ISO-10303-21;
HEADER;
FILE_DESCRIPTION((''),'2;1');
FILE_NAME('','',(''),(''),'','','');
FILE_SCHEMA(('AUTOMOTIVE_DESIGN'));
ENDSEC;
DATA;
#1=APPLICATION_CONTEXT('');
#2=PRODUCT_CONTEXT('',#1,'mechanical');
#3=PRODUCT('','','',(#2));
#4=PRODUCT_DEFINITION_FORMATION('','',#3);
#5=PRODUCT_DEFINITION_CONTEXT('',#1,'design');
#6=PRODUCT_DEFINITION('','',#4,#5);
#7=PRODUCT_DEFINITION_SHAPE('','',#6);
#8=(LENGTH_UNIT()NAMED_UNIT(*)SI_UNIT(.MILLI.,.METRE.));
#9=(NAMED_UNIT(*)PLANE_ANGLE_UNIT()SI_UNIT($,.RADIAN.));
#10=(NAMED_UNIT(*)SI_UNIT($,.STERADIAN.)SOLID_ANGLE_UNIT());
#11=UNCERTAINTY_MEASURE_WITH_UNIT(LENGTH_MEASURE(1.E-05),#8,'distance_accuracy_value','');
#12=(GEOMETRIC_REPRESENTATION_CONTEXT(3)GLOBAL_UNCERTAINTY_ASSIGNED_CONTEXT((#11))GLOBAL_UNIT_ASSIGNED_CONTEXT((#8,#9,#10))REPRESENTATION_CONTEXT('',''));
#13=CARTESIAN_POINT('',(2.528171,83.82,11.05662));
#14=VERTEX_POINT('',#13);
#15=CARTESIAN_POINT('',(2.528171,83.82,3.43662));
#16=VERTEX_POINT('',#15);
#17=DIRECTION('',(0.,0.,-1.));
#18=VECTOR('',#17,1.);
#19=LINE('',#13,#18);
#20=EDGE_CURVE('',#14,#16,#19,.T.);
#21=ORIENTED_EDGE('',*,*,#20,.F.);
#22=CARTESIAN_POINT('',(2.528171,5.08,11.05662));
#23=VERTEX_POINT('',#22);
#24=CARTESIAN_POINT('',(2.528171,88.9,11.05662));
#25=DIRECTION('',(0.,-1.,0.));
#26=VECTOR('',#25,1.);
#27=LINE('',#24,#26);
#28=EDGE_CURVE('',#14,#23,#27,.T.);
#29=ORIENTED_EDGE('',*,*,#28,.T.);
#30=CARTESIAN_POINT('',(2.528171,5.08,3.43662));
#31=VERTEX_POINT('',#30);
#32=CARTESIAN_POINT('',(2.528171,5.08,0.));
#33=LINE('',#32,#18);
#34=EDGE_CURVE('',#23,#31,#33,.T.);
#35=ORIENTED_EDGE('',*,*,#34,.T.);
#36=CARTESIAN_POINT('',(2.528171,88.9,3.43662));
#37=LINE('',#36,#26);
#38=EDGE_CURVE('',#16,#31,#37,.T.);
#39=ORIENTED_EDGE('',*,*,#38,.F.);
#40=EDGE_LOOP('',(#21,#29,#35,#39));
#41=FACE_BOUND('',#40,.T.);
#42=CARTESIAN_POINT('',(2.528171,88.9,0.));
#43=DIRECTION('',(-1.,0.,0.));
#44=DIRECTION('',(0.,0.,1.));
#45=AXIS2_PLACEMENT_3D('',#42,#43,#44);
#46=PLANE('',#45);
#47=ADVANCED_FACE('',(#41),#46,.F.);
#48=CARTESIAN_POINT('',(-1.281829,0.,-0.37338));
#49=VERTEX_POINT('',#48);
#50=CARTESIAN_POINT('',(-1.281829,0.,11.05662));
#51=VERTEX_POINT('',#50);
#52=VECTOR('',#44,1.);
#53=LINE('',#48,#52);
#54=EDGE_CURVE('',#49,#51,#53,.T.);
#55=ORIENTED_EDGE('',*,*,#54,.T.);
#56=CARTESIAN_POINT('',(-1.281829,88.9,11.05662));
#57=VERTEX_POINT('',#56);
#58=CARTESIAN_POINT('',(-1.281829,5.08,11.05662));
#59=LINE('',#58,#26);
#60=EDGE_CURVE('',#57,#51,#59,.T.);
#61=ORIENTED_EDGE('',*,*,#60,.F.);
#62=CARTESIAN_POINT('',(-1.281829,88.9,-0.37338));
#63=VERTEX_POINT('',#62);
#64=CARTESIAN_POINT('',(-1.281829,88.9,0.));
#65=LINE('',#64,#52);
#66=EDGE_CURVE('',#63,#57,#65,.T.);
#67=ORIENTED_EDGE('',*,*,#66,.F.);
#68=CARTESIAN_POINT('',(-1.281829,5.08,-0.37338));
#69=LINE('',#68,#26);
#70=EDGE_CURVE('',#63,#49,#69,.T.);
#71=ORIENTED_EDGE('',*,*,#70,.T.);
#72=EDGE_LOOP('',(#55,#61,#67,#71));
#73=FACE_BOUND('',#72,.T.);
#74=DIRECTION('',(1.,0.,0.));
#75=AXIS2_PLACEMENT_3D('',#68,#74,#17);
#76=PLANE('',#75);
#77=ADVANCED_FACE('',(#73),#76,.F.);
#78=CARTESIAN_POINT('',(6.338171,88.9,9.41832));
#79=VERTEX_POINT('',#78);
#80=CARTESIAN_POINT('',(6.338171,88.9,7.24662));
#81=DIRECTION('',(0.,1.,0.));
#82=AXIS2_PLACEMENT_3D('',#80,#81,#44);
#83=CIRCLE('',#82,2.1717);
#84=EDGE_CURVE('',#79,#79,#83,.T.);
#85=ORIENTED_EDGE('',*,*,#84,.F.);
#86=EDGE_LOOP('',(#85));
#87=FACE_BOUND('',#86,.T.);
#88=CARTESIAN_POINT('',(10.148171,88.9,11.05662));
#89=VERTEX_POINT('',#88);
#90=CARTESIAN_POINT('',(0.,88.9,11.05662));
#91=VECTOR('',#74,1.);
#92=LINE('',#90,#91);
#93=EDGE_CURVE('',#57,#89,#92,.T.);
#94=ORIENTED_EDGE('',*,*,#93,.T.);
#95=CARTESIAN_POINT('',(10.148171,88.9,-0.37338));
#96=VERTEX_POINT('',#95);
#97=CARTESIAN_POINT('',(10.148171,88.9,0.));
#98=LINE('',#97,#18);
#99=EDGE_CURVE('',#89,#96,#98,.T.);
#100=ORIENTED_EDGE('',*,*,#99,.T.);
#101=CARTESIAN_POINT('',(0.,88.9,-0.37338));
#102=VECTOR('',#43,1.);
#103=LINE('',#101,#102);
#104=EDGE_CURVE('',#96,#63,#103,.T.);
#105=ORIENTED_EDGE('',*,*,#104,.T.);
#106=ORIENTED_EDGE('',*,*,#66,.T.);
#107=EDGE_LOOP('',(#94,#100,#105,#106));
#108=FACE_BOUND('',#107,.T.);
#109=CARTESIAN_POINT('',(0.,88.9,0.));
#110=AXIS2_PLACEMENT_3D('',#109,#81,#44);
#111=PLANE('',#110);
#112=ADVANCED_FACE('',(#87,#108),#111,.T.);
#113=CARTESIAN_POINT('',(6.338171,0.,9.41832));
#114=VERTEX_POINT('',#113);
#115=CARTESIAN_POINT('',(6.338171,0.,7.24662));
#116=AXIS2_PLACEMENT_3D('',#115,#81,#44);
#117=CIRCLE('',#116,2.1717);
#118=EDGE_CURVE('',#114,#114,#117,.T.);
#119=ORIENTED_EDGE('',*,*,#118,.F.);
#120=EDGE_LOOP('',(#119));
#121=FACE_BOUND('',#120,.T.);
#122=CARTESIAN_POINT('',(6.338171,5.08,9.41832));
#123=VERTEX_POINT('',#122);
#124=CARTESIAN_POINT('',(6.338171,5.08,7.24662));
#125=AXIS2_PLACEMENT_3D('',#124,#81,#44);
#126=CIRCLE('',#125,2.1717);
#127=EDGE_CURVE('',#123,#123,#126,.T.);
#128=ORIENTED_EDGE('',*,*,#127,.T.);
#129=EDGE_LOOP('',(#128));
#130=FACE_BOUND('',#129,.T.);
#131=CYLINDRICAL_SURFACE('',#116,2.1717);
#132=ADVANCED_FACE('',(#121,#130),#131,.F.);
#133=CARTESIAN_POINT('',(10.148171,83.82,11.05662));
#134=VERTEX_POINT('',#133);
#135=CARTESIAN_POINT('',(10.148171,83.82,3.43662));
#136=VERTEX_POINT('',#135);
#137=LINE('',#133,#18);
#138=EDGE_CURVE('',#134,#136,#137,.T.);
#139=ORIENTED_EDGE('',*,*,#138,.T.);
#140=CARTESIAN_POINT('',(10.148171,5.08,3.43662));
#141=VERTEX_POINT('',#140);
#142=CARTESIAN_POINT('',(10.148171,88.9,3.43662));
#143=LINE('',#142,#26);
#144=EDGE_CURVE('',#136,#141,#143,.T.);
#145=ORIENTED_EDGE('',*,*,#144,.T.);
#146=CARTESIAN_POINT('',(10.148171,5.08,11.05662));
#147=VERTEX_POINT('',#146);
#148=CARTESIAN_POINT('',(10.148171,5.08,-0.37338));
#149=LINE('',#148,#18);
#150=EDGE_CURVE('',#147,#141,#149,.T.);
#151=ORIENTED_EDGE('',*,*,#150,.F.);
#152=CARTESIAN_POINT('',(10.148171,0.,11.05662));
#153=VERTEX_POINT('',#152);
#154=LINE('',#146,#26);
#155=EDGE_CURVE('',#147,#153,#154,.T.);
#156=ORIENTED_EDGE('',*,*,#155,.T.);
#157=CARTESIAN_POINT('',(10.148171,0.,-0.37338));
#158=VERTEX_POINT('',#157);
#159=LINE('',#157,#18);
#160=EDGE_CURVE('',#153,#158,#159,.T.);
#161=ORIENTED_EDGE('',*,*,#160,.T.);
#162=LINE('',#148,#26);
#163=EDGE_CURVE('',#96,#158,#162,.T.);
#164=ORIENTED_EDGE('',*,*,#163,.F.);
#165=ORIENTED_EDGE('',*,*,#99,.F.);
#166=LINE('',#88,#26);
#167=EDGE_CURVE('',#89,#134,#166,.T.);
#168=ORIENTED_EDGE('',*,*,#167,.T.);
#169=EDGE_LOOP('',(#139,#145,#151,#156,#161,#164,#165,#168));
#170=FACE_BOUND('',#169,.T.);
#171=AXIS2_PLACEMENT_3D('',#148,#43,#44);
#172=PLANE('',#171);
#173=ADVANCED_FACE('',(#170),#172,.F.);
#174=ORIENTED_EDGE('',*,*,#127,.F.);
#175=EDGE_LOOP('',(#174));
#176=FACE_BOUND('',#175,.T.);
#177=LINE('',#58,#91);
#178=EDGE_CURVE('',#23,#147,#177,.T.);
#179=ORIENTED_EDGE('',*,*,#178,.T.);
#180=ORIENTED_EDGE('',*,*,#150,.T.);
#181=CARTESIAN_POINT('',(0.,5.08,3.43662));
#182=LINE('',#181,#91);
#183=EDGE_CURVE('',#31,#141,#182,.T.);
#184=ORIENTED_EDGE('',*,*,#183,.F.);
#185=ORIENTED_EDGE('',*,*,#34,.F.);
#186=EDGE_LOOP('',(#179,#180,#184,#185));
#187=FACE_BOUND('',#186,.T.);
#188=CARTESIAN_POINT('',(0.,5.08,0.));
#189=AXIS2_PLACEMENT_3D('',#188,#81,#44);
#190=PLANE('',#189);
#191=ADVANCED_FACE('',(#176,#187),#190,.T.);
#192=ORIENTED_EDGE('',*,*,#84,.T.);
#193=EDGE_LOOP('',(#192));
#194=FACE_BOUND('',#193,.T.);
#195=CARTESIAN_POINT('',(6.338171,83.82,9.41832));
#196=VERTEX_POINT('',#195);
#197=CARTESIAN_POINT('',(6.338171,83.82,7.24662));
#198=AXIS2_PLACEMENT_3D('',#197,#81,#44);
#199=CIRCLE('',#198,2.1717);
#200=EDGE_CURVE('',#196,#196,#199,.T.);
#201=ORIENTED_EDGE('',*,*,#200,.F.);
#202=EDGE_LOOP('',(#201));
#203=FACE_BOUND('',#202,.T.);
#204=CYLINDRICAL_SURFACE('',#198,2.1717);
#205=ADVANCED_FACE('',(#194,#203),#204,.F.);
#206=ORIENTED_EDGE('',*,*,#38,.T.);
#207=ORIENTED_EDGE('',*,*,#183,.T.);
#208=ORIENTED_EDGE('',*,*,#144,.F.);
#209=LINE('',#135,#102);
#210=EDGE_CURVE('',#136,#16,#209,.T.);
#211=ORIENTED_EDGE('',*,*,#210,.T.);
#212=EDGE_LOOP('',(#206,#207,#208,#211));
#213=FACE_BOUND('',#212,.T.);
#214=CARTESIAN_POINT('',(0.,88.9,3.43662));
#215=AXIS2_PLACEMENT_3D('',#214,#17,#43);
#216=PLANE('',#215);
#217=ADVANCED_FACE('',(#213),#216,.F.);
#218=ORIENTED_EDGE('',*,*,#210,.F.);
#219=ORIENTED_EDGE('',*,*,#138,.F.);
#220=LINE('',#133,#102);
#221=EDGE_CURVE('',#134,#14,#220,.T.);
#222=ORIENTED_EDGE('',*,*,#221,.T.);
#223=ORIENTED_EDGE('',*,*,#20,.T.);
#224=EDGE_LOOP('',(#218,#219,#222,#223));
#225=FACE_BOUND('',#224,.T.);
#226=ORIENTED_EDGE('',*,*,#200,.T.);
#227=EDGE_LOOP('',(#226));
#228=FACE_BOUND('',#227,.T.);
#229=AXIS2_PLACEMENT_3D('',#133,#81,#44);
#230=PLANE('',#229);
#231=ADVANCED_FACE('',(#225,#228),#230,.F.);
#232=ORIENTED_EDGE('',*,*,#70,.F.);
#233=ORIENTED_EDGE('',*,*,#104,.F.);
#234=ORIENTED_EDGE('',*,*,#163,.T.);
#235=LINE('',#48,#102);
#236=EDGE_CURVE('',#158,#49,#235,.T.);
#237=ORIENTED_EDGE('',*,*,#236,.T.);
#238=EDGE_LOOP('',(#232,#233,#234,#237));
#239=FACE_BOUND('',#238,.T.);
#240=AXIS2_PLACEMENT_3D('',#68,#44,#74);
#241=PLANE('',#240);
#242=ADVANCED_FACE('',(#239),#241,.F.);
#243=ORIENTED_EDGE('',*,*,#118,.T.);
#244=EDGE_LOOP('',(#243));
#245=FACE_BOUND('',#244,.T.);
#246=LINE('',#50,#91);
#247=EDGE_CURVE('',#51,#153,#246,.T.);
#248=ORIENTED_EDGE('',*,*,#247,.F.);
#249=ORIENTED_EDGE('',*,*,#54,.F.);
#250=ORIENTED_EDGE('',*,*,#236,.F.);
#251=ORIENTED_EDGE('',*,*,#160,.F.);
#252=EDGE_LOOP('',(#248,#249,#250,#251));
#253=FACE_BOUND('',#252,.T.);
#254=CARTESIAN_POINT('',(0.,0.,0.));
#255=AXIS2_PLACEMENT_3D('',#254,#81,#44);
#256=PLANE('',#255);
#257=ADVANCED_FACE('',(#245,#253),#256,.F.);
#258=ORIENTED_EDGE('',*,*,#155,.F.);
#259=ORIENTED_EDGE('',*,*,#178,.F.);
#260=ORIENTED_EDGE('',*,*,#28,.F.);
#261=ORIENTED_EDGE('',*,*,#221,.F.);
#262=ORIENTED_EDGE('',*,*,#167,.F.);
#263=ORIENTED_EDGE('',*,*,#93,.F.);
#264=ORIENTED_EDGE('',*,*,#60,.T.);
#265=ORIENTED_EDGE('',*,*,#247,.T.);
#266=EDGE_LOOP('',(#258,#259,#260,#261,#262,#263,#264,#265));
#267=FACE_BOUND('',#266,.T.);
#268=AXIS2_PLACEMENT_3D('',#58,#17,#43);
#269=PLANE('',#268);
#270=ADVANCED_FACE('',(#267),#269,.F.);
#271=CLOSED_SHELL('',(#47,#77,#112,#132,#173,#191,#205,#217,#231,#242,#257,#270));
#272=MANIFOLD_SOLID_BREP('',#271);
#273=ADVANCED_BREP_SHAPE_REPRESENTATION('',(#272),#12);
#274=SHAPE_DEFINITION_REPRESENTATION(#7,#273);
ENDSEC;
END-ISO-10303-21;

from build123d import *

# Parameters (mm, degrees)
SKETCH2_W           = 11.43
SKETCH2_H           = 11.43
BOSS_EXTRUDE1_DEPTH = 5.08
BOSS_EXTRUDE2_DEPTH = 83.82
SKETCH4_W           = 7.62
SKETCH4_H           = 5.08
BOSS_EXTRUDE3_DEPTH = 7.62
SKETCH5_R           = 2.1717
CUT_EXTRUDE1_DEPTH  = 5.08
SKETCH6_R           = 2.1717
CUT_EXTRUDE2_DEPTH  = 5.08


with BuildPart() as part:
    # Sketch2 → Boss-Extrude1 (new body)
    with BuildSketch(Plane(origin=(0, 0, 0), x_dir=(1, 0, 0), z_dir=(0, 1, 0))):
        with Locations((4.433171137, -5.341620142)):
            Rectangle(SKETCH2_W, SKETCH2_H)
    extrude(amount=BOSS_EXTRUDE1_DEPTH)

    # Sketch3 → Boss-Extrude2 (add)
    with BuildSketch(Plane(origin=(0, 5.08, 0), x_dir=(1, 0, 0), z_dir=(0, 1, 0))):
        Polygon((-1.281828863, -11.056620142), (2.528171137, -11.056620142), (2.528171137, -3.436620142), (10.148171137, -3.436620142), (10.148171137, 0.373379858), (2.528171137, 0.373379858), (-1.281828863, 0.373379858), (-1.281828863, -3.436620142), align=None)
    extrude(amount=BOSS_EXTRUDE2_DEPTH)

    # Sketch4 → Boss-Extrude3 (add)
    with BuildSketch(Plane(origin=(2.528171137, 0, 0), x_dir=(0, 0, -1), z_dir=(1, 0, 0))):
        with Locations((-7.246620142, 86.36)):
            Rectangle(SKETCH4_W, SKETCH4_H)
    extrude(amount=BOSS_EXTRUDE3_DEPTH)

    # Sketch5 → Cut-Extrude1 (cut)
    with BuildSketch(Plane(origin=(0, 88.9, 0), x_dir=(1, 0, 0), z_dir=(0, 1, 0))):
        with Locations(Location((6.338171137, -7.246620142, 0), (0, 0, 270))):
            Circle(SKETCH5_R)
    extrude(amount=-CUT_EXTRUDE1_DEPTH, mode=Mode.SUBTRACT)

    # Sketch6 → Cut-Extrude2 (cut)
    with BuildSketch(Plane(origin=(0, 5.08, 0), x_dir=(1, 0, 0), z_dir=(0, 1, 0))):
        with Locations(Location((6.338171137, -7.246620142, 0), (0, 0, 270))):
            Circle(SKETCH6_R)
    extrude(amount=-CUT_EXTRUDE2_DEPTH, mode=Mode.SUBTRACT)


solid = part.part
